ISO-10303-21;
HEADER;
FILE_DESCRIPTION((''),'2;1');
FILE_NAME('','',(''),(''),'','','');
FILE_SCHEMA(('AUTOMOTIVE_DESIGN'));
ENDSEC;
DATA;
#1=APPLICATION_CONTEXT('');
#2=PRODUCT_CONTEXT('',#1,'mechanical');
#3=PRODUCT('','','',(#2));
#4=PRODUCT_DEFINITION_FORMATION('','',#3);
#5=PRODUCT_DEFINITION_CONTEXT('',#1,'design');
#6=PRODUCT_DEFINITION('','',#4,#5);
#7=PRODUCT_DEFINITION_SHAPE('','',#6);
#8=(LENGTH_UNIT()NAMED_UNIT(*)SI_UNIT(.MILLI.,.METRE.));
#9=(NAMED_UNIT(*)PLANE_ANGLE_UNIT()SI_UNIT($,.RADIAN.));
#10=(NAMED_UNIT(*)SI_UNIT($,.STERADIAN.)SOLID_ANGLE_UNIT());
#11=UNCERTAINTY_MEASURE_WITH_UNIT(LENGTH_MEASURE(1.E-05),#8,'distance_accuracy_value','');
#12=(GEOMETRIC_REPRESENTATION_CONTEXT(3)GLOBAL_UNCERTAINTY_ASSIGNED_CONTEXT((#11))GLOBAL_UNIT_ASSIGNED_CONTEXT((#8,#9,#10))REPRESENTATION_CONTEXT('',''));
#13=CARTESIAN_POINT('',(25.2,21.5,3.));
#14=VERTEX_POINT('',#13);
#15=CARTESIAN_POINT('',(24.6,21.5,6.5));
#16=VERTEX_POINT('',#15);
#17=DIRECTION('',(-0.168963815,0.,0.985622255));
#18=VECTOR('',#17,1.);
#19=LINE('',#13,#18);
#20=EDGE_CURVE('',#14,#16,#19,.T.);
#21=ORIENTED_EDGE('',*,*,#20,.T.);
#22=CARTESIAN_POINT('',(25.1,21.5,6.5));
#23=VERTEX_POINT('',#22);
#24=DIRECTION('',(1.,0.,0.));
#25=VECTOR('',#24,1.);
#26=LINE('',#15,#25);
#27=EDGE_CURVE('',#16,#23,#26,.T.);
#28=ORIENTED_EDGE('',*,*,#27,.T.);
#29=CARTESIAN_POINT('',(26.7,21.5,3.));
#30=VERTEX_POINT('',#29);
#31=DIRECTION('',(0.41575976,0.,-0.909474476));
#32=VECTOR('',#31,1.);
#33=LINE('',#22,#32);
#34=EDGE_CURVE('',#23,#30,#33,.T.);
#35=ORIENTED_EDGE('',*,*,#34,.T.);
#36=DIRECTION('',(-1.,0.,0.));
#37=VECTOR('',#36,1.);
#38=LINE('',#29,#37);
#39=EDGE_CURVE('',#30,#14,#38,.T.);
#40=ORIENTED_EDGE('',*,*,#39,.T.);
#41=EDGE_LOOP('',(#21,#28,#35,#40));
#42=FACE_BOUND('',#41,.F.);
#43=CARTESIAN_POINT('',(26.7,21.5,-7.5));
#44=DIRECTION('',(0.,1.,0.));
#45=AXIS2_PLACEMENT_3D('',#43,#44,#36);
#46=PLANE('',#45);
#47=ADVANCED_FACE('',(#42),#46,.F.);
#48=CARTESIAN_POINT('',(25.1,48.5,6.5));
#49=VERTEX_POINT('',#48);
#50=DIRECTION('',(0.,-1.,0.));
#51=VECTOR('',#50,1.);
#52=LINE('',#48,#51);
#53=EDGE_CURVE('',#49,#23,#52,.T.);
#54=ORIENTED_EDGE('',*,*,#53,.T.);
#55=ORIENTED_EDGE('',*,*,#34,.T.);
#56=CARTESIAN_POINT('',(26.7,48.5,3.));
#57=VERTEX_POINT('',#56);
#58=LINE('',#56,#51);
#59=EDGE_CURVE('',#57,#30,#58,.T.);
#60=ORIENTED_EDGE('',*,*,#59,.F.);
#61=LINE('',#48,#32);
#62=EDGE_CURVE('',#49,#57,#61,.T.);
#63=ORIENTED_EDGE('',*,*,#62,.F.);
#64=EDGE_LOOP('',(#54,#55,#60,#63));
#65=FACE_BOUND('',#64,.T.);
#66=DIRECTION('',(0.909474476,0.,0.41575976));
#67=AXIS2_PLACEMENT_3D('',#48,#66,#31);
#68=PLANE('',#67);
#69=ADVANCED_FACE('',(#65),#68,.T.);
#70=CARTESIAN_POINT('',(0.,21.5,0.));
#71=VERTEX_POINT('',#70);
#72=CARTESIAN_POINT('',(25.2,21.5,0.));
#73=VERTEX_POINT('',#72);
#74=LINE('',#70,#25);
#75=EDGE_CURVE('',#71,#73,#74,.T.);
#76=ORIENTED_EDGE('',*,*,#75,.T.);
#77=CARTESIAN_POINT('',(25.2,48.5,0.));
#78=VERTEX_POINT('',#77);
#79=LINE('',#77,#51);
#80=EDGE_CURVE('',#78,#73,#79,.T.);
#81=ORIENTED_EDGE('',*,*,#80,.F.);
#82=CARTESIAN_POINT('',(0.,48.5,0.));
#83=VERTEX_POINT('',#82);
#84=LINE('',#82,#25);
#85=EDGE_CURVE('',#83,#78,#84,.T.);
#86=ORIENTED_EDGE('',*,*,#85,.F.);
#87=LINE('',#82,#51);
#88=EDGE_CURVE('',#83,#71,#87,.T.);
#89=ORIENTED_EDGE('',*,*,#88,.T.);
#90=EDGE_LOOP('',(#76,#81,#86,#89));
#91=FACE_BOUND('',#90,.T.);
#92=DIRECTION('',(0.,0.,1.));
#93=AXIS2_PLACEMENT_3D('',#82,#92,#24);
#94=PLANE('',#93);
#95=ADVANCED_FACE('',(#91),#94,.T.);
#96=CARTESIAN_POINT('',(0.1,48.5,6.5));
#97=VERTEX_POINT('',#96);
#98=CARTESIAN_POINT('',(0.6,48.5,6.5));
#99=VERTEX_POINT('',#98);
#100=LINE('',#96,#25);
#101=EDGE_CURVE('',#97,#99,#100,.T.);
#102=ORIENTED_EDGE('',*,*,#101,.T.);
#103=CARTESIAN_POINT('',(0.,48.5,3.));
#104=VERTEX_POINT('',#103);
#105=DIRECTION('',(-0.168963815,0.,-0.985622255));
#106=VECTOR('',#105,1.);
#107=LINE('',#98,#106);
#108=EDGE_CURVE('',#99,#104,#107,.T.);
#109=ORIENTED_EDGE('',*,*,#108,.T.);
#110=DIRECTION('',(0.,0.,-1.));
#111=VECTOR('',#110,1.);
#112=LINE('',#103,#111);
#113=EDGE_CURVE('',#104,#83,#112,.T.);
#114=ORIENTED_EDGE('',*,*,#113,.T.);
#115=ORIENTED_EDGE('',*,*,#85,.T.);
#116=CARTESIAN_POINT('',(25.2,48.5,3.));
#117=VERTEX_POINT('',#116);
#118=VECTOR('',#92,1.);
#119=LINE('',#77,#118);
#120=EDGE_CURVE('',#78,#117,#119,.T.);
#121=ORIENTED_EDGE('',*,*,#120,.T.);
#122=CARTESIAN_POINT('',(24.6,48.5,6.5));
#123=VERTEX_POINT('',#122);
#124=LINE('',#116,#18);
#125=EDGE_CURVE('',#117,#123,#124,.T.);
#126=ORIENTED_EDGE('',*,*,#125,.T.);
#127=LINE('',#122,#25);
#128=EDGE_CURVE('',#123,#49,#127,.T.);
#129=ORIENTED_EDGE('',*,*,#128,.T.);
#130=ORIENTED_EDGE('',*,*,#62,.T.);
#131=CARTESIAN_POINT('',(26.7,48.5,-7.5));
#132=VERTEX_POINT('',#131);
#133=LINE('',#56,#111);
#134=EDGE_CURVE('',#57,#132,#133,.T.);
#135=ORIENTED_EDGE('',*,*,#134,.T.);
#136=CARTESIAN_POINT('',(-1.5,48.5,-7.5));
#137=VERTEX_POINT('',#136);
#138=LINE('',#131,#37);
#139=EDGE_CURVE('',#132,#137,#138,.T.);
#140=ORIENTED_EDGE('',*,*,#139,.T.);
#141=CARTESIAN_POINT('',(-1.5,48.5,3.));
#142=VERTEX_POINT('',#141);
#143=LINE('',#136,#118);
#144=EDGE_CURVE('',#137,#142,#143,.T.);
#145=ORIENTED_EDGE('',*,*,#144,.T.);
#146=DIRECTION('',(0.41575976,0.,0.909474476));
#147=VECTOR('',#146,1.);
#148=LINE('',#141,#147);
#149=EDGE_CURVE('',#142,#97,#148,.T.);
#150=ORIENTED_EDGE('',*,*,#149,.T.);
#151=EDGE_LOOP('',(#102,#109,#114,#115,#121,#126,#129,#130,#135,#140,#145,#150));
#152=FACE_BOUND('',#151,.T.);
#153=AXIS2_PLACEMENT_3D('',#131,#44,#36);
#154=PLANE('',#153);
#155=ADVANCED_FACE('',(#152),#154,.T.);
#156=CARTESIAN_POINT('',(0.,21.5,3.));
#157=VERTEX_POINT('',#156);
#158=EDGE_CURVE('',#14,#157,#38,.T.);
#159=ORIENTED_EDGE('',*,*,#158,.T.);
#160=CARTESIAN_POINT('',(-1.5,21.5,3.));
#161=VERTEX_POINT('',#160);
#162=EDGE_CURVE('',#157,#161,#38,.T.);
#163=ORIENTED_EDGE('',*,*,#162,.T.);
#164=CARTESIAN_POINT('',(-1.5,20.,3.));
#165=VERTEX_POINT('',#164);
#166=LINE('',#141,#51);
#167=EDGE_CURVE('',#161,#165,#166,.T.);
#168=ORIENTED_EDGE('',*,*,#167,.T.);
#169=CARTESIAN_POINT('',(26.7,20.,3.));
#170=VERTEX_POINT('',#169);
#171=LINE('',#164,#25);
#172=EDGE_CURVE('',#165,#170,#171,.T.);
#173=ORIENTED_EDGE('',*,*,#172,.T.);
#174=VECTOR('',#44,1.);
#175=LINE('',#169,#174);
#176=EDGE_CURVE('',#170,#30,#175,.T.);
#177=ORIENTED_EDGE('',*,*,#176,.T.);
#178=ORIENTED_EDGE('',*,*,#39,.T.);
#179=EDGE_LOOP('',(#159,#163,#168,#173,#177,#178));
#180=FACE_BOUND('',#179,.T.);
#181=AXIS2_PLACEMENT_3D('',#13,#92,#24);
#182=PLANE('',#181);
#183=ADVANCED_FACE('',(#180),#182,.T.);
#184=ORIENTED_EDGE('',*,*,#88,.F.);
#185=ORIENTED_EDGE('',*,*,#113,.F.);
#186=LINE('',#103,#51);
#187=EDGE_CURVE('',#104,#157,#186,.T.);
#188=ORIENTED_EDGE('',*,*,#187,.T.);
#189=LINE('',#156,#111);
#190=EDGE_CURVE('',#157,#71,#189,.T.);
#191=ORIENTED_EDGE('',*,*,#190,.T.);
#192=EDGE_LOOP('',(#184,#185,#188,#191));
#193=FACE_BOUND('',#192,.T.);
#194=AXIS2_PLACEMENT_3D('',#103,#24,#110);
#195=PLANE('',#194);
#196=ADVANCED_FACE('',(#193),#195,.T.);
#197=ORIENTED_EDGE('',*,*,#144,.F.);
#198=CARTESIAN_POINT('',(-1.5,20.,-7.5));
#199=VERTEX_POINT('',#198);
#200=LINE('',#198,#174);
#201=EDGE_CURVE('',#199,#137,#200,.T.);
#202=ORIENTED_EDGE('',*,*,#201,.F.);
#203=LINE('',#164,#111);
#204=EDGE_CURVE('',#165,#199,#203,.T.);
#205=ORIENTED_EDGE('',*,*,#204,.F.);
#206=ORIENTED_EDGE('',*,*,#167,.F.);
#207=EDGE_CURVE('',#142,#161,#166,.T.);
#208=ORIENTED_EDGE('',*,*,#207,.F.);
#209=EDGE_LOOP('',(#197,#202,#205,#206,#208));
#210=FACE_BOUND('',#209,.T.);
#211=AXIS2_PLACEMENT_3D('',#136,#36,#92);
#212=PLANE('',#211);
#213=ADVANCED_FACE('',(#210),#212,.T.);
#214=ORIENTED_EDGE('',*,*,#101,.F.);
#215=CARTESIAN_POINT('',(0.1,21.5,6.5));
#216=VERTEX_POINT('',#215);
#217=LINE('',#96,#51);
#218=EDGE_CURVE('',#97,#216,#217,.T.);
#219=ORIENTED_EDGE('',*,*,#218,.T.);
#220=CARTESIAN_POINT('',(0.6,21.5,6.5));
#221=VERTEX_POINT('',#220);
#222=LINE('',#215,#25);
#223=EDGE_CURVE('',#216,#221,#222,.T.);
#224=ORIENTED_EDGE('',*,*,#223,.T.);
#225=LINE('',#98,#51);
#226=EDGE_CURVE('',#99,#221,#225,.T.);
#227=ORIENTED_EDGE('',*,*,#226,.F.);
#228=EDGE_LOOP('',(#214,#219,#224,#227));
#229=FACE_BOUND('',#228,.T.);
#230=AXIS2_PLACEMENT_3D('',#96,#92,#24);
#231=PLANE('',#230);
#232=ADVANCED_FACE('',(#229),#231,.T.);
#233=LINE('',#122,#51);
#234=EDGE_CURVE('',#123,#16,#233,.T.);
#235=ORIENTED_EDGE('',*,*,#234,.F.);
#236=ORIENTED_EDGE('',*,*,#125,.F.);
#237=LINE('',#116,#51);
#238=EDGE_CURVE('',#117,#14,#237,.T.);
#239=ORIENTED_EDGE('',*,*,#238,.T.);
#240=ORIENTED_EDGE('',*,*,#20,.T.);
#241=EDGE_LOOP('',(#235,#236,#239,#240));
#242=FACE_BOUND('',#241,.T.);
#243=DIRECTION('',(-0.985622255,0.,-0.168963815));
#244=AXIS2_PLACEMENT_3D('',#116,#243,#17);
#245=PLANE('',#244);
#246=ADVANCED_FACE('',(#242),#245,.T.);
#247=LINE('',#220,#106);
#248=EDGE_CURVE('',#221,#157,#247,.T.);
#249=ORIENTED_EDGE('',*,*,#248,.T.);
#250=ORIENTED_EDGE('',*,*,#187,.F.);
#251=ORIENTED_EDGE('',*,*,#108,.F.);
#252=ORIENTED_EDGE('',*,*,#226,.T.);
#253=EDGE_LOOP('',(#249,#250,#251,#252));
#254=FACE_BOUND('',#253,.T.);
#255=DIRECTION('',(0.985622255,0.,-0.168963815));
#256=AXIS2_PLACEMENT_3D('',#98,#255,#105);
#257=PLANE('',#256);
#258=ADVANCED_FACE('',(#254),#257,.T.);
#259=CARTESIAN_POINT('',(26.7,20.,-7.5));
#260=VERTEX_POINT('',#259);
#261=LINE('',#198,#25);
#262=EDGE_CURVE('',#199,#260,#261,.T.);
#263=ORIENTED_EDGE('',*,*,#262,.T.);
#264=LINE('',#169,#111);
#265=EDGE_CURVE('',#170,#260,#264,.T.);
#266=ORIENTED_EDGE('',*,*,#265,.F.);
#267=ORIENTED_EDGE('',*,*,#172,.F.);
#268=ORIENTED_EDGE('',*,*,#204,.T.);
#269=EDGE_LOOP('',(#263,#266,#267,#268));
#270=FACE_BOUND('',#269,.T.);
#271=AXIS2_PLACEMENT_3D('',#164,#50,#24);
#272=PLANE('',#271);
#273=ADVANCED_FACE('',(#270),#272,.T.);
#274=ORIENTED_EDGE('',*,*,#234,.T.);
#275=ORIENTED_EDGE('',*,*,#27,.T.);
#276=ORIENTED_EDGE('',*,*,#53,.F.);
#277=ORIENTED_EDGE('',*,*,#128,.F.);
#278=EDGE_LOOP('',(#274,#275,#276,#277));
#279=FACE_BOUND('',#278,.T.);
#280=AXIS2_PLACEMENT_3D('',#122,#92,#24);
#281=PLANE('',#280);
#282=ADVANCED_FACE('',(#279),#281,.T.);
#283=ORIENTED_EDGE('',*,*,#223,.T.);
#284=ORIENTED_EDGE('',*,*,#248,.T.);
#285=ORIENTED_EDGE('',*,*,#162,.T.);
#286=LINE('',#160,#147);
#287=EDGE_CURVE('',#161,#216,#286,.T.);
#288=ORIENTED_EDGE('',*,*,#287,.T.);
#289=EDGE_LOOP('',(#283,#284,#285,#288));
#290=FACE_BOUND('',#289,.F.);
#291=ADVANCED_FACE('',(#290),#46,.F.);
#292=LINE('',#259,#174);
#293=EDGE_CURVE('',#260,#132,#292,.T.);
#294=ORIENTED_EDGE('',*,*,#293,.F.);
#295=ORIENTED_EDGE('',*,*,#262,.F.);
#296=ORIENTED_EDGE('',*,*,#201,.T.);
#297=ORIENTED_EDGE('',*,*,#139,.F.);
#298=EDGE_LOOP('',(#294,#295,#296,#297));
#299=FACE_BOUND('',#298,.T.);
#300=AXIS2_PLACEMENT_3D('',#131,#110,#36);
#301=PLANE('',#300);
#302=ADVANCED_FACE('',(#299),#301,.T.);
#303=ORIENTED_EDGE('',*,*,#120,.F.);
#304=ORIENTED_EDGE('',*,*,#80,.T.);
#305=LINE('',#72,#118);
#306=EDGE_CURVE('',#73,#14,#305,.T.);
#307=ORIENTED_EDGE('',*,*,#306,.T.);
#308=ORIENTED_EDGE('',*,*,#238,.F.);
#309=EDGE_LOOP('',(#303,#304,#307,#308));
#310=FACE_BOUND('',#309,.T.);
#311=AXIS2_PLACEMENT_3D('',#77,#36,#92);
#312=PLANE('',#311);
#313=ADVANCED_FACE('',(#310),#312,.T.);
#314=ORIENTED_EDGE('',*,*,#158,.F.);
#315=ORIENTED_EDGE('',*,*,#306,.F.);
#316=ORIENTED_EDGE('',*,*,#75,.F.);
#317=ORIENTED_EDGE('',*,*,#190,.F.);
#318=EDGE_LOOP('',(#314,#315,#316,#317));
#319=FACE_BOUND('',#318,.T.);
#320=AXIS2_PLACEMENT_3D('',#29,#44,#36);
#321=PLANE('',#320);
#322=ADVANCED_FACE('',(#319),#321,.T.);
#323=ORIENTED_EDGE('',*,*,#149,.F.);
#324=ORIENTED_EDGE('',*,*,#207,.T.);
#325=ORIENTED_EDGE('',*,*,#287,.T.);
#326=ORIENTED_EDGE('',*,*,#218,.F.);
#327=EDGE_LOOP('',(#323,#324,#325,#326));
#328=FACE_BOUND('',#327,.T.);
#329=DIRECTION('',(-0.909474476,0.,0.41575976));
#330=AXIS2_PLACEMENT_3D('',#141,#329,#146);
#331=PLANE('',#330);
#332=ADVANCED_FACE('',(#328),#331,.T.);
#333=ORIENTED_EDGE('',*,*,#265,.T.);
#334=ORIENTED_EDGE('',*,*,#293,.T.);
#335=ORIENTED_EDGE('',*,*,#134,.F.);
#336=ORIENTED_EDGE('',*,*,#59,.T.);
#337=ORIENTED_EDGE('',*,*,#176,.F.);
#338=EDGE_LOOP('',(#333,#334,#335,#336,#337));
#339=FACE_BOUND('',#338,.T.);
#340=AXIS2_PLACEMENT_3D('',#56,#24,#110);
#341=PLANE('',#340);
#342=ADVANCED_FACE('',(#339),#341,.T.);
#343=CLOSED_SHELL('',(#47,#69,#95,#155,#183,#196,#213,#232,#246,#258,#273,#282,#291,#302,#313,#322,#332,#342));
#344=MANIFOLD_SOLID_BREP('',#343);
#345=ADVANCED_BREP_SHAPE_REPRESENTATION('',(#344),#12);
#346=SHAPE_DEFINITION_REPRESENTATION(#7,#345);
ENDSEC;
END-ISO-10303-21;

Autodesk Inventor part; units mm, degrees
ref_plane "YZ Plane" through (0, 0, 0) normal (1, 0, 0) x (0, 1, 0)
ref_plane "XZ Plane" through (0, 0, 0) normal (0, 1, 0) x (-1, 0, 0)
ref_plane "XY Plane" through (0, 0, 0) normal (0, 0, 1) x (1, 0, 0)
sketch "Esboço1" plane through (26.7, 48.5, -7.5) normal (0, 1, 0) x (-1, 0, 0)
  line L0 (0, 0) -> (28.2, 0) projected
  line L1 (0, 10.5) -> (0, 0) projected
  line L2 (1.6, 14) -> (0, 10.5) projected
  line L3 (2.1, 14) -> (1.6, 14) projected
  line L4 (1.5, 10.5) -> (2.1, 14) projected
  line L5 (26.1, 14) -> (26.7, 10.5) projected
  line L6 (26.6, 14) -> (26.1, 14) projected
  line L7 (28.2, 10.5) -> (26.6, 14) projected
  line L8 (28.2, 0) -> (28.2, 10.5) projected
  line L9 (26.7, 7.5) -> (1.5, 7.5) projected
  line L10 (1.5, 7.5) -> (1.5, 10.5) projected
  line L11 (26.7, 10.5) -> (26.7, 7.5) projected
extrude "Extrusão1" add sketch "Esboço1" against normal blind 27
sketch "Esboço2" plane through (25.2, 21.5, 3) normal (0, 0, 1) x (1, 0, 0)
  line L0 (1.5, 0) -> (-26.7, 0) projected
  line L1 (-26.7, -1.5) -> (1.5, -1.5) projected
  line L2 (1.5, -1.5) -> (1.5, 27) projected
  line L3 (-26.7, 27) -> (-26.7, -1.5) projected
  point P0 (-25.2, -21.5)
extrude "Extrusão2" add sketch "Esboço2" against normal up to surface (10.5 mm away)
properties part number "2. ALARME"
